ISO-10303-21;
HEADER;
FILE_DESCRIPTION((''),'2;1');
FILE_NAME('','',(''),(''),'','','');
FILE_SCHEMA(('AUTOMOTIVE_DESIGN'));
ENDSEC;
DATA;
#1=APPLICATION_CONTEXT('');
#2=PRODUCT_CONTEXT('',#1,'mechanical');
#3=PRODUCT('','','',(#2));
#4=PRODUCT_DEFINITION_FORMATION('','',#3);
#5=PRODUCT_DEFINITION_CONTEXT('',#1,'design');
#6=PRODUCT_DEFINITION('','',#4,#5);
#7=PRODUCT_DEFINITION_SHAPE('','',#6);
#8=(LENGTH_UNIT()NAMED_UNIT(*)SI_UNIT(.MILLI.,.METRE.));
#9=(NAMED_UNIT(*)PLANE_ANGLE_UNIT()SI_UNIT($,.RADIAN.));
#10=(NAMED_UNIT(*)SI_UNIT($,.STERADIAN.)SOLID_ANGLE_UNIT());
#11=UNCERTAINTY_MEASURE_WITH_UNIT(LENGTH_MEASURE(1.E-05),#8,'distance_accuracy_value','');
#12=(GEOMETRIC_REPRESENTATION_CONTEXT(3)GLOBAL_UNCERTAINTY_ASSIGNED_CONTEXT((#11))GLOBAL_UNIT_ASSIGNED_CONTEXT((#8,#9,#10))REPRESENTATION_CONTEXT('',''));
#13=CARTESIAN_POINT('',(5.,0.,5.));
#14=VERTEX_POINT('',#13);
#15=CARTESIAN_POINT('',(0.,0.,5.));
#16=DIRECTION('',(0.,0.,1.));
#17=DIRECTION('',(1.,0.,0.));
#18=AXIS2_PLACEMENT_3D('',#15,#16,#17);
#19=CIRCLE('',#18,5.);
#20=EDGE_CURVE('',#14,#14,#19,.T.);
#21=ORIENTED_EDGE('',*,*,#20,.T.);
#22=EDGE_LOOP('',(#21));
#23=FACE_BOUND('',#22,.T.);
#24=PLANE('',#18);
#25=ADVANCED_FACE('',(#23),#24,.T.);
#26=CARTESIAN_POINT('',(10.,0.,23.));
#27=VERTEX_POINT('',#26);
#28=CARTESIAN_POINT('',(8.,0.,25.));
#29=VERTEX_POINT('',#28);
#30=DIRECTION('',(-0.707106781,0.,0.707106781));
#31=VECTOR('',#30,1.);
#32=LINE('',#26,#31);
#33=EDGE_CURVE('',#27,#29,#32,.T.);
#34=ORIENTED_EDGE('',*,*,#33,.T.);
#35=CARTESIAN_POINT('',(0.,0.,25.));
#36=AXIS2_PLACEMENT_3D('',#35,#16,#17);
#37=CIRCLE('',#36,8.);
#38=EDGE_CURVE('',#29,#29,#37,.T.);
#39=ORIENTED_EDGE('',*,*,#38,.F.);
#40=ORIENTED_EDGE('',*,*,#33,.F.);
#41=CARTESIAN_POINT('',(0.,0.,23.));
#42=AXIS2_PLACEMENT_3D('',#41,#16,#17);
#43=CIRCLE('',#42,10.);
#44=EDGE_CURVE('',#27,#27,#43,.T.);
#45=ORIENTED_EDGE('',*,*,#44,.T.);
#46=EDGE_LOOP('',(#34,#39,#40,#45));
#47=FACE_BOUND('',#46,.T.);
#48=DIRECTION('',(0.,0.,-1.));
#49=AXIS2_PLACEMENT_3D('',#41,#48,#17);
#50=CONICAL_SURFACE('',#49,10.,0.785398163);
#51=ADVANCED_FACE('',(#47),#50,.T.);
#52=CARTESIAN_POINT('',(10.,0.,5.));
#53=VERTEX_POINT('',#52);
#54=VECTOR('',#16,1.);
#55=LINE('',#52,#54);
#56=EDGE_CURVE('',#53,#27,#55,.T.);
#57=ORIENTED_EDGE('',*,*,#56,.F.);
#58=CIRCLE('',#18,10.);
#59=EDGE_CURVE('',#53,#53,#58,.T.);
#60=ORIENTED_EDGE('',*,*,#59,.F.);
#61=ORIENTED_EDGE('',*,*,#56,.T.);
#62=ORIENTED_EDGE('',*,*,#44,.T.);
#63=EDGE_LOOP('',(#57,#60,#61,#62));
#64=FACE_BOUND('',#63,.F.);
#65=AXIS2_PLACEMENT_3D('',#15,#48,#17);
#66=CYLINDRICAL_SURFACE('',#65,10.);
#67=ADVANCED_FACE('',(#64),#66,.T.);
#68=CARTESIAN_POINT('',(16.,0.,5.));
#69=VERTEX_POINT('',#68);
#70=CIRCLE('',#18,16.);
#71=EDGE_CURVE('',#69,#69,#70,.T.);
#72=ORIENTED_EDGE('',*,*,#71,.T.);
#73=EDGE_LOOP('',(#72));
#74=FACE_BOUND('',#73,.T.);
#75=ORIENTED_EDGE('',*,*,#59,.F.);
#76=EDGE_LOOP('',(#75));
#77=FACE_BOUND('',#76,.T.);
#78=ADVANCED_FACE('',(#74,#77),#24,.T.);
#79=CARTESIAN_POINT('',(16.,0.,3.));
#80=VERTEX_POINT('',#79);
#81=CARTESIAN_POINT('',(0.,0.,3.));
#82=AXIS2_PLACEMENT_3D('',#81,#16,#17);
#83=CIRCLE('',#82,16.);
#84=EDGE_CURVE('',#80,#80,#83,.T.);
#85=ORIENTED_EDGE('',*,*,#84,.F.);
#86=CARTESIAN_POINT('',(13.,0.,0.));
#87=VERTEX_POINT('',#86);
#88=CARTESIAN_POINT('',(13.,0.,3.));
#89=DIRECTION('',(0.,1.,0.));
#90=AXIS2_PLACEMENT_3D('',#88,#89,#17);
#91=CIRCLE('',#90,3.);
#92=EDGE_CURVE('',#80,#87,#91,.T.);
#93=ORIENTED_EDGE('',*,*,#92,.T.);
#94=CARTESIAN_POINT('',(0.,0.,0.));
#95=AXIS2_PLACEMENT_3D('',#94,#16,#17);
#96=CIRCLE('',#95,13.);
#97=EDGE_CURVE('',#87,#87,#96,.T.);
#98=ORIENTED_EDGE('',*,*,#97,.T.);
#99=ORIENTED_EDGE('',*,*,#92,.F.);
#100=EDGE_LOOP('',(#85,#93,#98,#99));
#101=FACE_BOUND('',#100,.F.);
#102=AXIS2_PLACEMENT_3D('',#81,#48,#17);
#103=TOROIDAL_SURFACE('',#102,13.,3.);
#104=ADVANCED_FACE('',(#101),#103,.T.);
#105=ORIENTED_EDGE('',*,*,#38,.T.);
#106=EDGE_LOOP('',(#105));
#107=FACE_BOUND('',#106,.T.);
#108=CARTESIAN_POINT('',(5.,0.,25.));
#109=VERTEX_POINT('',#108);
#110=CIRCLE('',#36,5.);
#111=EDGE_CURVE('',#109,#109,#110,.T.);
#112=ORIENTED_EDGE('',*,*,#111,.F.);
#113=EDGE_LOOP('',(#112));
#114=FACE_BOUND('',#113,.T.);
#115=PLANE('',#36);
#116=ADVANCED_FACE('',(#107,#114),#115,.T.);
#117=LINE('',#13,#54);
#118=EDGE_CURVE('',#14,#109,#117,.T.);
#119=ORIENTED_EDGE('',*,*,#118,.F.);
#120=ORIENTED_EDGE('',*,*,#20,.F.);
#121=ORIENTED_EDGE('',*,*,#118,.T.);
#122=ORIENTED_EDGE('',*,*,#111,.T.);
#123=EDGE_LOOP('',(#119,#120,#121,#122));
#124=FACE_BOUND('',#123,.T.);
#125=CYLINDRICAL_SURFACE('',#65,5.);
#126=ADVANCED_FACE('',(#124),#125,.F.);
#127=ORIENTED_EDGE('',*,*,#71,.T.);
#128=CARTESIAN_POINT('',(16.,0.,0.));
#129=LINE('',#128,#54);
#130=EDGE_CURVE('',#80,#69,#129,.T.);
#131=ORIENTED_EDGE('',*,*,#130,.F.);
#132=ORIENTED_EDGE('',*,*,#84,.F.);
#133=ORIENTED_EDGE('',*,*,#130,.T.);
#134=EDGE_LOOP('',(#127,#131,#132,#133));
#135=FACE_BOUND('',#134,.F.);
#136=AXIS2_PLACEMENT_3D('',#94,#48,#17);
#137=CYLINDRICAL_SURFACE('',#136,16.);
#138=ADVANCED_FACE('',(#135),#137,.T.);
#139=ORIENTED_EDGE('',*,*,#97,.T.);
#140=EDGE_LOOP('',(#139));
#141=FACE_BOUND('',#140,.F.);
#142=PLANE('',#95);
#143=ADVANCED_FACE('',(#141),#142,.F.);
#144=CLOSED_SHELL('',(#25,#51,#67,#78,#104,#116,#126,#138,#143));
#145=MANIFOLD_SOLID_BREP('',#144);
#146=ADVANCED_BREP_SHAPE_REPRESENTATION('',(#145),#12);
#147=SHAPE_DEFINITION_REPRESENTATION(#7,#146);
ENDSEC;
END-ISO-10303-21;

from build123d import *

# Parameters (mm, degrees)
SKETCH_R      = 16
PAD_DEPTH     = 5
SKETCH001_R   = 10
SKETCH001_R_2 = 5
PAD001_DEPTH  = 20
FILLET_R      = 3
CHAMFER_SIZE  = 2


with BuildPart() as part:
    # Sketch → Pad (new body)
    with BuildSketch(Plane.XY):
        Circle(SKETCH_R)
    extrude(amount=PAD_DEPTH)

    # Sketch001 (on Face3 of Pad) → Pad001 (join)
    with BuildSketch(Plane.XY.offset(5)):
        Circle(SKETCH001_R)
        Circle(SKETCH001_R_2, mode=Mode.SUBTRACT)
    extrude(amount=PAD001_DEPTH)

    # Fillet
    fillet_edges = [part.edges().sort_by_distance(p)[0] for p in [
        (-16, 0, 0),
    ]]
    fillet(fillet_edges, radius=FILLET_R)

    # Chamfer
    chamfer_edges = [part.edges().sort_by_distance(p)[0] for p in [
        (-10, 0, 25),
    ]]
    chamfer(chamfer_edges, length=CHAMFER_SIZE)


solid = part.part
